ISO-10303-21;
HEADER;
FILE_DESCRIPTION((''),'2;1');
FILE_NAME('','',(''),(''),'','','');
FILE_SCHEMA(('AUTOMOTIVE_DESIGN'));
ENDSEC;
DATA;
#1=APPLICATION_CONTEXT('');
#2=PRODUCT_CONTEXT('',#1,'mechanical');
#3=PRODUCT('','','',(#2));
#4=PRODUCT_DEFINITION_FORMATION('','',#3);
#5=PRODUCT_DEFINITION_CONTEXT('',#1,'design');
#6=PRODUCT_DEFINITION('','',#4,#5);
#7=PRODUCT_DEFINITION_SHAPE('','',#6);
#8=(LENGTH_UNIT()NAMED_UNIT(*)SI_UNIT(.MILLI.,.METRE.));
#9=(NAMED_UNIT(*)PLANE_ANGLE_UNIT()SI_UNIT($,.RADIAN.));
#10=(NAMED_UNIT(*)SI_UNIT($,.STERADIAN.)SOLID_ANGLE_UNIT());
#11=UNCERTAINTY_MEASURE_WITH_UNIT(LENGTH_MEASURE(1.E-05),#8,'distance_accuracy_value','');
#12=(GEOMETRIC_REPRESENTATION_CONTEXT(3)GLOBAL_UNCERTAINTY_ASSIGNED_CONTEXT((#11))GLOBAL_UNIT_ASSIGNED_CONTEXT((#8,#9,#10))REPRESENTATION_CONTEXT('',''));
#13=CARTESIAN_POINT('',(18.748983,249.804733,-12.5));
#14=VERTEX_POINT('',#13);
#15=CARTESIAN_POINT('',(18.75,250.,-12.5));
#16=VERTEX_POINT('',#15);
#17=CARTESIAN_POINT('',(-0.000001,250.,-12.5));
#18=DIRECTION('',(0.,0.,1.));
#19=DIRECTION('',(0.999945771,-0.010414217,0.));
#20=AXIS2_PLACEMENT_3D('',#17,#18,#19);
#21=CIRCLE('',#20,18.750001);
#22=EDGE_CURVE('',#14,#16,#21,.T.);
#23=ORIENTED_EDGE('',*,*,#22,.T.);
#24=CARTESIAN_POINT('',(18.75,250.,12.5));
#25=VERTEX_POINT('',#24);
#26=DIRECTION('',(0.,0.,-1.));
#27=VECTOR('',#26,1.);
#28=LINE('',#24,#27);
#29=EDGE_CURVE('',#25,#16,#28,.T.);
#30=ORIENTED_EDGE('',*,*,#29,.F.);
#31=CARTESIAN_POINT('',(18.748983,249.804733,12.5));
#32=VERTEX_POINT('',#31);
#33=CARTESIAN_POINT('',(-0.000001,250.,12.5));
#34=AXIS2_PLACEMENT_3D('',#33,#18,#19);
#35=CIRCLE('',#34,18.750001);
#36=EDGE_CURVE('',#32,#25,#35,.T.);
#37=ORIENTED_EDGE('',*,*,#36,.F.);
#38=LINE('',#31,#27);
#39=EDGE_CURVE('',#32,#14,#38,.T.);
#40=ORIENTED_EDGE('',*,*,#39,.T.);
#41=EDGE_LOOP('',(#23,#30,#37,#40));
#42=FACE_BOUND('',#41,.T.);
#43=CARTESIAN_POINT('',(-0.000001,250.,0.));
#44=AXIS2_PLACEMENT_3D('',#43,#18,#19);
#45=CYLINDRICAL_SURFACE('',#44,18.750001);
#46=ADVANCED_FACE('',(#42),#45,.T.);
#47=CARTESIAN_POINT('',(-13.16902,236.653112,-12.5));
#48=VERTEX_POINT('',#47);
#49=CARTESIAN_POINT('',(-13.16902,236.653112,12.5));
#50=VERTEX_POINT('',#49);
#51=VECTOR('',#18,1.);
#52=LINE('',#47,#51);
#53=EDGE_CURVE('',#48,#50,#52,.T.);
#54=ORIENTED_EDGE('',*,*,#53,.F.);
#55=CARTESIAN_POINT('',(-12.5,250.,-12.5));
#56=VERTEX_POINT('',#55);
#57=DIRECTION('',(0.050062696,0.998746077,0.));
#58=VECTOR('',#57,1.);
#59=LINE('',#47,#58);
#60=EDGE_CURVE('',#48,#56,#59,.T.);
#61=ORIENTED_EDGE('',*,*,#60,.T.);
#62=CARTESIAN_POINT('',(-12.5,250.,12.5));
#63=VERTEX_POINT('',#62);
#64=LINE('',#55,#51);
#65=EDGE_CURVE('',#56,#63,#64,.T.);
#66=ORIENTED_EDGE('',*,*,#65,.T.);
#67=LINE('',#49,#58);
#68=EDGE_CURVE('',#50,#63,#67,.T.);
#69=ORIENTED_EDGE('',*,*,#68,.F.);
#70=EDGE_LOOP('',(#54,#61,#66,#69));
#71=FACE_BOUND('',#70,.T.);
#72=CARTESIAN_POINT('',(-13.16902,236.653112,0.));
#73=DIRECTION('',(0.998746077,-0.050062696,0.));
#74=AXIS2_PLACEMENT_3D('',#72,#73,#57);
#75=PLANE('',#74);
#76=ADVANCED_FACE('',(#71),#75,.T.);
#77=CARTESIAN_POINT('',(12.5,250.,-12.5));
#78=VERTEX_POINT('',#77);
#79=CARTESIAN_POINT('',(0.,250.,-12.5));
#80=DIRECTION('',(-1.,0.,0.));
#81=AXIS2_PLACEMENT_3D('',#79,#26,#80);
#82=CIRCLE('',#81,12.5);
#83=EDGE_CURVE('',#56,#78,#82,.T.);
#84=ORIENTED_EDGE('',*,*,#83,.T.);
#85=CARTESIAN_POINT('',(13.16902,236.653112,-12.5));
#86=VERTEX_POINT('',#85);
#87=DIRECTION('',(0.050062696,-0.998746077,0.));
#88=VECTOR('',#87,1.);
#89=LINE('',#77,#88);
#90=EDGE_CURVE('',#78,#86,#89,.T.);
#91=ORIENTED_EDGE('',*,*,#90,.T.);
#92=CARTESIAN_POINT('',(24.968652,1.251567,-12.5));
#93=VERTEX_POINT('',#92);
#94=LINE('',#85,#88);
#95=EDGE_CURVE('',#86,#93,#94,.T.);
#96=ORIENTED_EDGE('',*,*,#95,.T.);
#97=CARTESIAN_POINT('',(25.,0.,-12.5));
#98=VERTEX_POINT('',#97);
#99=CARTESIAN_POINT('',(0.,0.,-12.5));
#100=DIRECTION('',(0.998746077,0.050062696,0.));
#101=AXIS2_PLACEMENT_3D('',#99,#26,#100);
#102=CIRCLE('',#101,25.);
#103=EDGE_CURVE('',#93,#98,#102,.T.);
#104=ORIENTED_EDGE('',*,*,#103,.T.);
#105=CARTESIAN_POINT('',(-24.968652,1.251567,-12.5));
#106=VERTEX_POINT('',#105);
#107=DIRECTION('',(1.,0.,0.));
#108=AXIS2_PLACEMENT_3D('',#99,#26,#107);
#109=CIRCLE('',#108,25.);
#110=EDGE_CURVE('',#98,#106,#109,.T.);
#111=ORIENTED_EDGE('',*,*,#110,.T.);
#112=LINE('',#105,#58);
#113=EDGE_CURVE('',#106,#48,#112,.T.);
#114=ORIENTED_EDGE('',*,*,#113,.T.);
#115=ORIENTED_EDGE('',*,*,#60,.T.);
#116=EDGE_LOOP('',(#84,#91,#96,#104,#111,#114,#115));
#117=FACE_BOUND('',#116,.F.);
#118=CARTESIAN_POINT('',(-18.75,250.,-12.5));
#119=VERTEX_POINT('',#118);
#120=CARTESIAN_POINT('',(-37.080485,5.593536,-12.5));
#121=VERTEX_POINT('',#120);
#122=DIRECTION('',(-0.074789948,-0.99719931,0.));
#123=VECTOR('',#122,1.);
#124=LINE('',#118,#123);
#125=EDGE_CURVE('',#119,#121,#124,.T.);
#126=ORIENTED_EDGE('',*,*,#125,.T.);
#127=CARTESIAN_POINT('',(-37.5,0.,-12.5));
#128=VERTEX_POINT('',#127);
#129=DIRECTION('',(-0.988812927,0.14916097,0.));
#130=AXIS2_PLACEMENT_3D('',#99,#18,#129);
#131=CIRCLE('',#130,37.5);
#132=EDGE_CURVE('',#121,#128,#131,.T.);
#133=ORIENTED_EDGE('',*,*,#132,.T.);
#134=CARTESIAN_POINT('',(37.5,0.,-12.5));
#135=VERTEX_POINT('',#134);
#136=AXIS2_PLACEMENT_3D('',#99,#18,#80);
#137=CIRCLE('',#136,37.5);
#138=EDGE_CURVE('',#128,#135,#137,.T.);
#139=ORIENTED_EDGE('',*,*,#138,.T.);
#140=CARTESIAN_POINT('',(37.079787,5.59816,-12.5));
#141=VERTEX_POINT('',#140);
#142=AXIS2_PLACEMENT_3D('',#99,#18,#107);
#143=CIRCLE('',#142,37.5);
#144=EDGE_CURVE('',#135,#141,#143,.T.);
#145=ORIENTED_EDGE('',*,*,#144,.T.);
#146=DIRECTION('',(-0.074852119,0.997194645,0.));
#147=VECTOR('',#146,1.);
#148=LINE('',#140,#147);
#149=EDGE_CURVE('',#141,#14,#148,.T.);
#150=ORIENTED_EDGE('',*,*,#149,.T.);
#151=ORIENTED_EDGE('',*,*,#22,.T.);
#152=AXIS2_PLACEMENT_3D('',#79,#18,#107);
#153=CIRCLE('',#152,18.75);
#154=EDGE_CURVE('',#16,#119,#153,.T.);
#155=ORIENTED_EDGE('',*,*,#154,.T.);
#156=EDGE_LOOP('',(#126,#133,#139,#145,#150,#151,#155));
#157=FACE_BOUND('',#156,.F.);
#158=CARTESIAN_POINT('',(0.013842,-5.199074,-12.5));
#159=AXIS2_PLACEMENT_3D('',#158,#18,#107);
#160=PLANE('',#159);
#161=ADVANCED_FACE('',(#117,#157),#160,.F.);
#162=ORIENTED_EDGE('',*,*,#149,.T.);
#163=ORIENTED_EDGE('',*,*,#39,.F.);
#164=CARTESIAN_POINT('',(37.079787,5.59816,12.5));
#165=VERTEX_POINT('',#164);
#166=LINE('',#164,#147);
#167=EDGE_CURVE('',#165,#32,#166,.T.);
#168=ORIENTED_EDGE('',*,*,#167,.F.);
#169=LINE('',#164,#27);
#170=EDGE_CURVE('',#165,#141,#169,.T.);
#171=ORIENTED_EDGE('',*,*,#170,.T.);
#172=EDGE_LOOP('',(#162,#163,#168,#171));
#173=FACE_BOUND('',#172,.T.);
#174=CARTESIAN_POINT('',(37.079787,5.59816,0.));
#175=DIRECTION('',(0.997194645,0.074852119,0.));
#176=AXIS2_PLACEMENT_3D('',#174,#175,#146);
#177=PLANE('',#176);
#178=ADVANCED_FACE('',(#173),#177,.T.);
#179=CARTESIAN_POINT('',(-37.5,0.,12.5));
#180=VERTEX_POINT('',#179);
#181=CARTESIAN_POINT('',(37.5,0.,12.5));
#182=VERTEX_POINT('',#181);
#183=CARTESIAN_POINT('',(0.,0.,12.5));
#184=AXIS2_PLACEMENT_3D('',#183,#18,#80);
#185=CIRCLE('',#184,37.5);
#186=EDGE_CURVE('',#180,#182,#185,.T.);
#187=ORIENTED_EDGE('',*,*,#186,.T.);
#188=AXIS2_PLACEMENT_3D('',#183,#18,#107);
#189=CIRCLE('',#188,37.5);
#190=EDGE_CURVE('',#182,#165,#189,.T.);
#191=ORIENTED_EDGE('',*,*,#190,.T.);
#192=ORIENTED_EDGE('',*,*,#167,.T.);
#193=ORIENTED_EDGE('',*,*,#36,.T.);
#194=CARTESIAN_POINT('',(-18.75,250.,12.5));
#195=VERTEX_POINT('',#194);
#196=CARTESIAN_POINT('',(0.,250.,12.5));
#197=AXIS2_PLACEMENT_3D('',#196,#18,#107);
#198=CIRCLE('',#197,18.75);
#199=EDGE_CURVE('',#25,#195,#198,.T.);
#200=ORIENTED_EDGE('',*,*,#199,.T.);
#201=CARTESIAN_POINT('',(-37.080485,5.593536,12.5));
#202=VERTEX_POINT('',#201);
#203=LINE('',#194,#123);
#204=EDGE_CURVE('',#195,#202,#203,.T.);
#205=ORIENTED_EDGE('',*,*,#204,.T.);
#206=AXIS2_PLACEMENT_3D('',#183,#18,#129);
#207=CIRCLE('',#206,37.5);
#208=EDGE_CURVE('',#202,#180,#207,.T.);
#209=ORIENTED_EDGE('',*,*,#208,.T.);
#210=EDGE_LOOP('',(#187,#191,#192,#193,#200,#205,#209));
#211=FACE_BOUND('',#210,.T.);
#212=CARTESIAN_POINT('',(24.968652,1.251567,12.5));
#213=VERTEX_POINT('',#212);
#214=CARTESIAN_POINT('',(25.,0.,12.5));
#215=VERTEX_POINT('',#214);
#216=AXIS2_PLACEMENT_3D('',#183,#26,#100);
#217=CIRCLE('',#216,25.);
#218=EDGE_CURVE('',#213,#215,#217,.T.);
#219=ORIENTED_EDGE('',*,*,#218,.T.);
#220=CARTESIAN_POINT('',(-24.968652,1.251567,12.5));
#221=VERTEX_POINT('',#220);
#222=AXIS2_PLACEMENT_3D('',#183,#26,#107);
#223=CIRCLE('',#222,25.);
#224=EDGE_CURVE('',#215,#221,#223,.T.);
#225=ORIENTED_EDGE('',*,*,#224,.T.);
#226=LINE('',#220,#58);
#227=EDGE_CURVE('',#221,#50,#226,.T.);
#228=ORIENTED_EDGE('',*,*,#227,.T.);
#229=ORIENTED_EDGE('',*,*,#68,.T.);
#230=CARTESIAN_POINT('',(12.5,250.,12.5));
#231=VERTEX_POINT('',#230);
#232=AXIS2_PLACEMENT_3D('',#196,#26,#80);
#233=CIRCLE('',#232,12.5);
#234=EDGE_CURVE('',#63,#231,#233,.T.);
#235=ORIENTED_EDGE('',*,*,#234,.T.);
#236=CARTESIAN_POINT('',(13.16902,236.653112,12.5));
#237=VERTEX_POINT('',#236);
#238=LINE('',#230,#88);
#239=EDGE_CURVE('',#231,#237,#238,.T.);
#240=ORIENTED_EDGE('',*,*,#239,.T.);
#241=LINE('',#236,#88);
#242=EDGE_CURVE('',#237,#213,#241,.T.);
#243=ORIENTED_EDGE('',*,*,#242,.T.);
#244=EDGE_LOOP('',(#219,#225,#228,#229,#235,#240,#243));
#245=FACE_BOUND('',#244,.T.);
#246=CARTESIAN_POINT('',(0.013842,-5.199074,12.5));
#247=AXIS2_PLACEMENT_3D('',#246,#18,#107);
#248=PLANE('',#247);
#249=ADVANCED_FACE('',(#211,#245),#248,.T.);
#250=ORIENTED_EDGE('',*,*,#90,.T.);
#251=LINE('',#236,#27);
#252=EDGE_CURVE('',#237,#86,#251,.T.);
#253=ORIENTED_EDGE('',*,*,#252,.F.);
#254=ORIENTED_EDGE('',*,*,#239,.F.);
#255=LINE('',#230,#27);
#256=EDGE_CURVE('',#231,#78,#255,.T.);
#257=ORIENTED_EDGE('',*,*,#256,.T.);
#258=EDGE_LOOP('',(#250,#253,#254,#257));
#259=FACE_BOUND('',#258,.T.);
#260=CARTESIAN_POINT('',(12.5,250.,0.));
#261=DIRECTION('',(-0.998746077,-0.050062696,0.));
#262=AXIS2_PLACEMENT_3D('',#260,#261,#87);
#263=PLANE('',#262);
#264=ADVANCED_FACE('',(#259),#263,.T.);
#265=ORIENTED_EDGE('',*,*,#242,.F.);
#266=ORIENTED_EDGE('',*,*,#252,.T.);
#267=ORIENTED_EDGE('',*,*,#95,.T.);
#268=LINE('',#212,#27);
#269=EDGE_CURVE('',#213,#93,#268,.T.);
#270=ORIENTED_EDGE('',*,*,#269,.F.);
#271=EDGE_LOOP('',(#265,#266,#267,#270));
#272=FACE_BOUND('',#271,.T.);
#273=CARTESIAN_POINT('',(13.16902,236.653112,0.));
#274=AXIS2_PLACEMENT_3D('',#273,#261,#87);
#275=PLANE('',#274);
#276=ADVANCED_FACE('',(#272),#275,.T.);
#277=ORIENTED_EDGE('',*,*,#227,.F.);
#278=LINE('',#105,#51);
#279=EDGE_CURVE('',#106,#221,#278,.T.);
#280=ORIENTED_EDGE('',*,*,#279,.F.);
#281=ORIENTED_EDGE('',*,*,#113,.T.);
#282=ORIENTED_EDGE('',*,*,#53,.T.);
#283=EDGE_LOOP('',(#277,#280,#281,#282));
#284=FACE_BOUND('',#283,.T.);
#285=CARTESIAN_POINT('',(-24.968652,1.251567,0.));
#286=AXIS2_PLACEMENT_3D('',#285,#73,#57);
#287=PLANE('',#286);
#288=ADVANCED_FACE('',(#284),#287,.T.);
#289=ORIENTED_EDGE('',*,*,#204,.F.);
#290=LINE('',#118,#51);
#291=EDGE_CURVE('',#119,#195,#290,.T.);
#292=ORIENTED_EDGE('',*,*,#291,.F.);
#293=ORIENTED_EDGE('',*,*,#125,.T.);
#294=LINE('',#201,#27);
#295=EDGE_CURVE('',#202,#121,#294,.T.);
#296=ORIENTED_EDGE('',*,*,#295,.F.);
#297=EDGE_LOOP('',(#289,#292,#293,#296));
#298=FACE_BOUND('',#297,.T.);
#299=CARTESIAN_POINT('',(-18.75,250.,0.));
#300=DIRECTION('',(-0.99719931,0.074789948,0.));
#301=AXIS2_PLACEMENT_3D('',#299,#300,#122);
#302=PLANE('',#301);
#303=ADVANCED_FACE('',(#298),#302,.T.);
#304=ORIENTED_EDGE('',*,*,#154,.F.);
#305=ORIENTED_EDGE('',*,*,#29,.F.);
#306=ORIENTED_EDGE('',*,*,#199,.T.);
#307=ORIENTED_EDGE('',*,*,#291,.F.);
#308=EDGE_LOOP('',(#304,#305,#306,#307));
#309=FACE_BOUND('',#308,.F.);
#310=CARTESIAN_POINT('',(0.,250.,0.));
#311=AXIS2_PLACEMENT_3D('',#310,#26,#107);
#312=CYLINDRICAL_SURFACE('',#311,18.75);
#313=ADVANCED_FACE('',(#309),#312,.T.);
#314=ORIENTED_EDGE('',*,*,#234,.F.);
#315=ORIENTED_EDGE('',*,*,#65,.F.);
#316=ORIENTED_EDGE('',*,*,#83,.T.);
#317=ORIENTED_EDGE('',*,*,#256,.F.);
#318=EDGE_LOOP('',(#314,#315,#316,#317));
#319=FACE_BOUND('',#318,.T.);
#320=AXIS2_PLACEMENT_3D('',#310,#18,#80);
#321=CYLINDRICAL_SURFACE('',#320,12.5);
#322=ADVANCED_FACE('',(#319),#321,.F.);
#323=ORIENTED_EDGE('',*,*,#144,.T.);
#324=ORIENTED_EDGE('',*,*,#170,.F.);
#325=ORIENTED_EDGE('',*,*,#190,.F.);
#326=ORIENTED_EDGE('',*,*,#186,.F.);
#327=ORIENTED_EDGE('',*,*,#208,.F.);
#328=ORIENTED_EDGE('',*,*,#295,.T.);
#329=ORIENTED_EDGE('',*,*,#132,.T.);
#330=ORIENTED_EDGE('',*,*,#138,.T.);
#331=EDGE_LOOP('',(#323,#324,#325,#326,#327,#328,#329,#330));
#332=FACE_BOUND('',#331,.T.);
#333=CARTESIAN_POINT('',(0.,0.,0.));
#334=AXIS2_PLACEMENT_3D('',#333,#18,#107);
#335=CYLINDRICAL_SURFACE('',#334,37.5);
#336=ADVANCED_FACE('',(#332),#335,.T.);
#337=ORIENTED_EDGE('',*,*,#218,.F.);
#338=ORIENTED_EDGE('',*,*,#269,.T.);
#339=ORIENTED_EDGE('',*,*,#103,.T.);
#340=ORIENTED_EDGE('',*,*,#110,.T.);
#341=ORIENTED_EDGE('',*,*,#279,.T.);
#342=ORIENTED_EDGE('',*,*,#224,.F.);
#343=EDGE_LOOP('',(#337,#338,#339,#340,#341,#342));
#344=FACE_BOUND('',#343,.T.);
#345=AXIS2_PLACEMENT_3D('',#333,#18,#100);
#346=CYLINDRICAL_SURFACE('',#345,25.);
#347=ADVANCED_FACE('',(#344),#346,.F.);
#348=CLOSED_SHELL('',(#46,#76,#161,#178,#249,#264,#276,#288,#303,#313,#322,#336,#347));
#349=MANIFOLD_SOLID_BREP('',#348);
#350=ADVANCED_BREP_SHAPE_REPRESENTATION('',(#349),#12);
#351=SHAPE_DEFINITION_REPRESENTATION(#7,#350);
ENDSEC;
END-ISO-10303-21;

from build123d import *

# Parameters (mm, degrees)
F1_DEPTH = 12.5


with BuildPart() as f1:
    # F0 (on Top) → F1 (new body, symmetric)
    with BuildSketch(Plane.XY):
        with BuildLine():
            Line((23.5693570301, 29.1673689109), (24.9686519266, 1.2515674037))
            ThreePointArc((24.9686519266, 1.2515674037), (24.9921617529, 0.6259799653), (25, 0))
            ThreePointArc((25, 0), (-0.6259799653, -24.9921617529), (-24.9686519266, 1.2515674037))
            Line((-24.9686519266, 1.2515674037), (-23.5693570301, 29.1673689109))
            ThreePointArc((-23.5693570301, 29.1673689109), (-32.5350921775, 18.6471922015), (-37.0804847732, 5.593536358))
            Line((-37.0804847732, 5.593536358), (-37.5, 0))
            ThreePointArc((-37.5, 0), (0, -37.5), (37.5, 0))
            Line((37.5, 0), (37.079787025, 5.5981598921))
            ThreePointArc((37.079787025, 5.5981598921), (32.5339295521, 18.6492205709), (23.5693570301, 29.1673689109))
        make_face()
        with BuildLine():
            Line((13.1690200809, 236.6531123437), (23.5693570301, 29.1673689109))
            ThreePointArc((23.5693570301, 29.1673689109), (32.5339295521, 18.6492205709), (37.079787025, 5.5981598921))
            Line((37.079787025, 5.5981598921), (18.7489831982, 249.8047334338))
            ThreePointArc((18.7489831982, 249.8047334338), (17.260678366, 242.6766481483), (13.1690200809, 236.6531123437))
        make_face()
        with BuildLine():
            ThreePointArc((-37.0804847732, 5.593536358), (-32.5350921775, 18.6471922015), (-23.5693570301, 29.1673689109))
            Line((-23.5693570301, 29.1673689109), (-13.1690200809, 236.6531123437))
            ThreePointArc((-13.1690200809, 236.6531123437), (-17.2985783595, 242.7666268766), (-18.75, 250))
            Line((-18.75, 250), (-37.0804847732, 5.593536358))
        make_face()
        with BuildLine():
            Line((12.5, 250), (13.1690200809, 236.6531123437))
            ThreePointArc((13.1690200809, 236.6531123437), (17.260678366, 242.6766481483), (18.7489831982, 249.8047334338))
            ThreePointArc((18.7489831982, 249.8047334338), (18.7497457978, 249.9023653932), (18.75, 250))
            ThreePointArc((18.75, 250), (0, 268.75), (-18.75, 250))
            ThreePointArc((-18.75, 250), (-17.2985783595, 242.7666268766), (-13.1690200809, 236.6531123437))
            Line((-13.1690200809, 236.6531123437), (-12.5, 250))
            ThreePointArc((-12.5, 250), (0, 262.5), (12.5, 250))
        make_face()
        with BuildLine():
            ThreePointArc((37.5, 0), (37.3947991935, 2.8069544493), (37.079787025, 5.5981598921))
            Line((37.079787025, 5.5981598921), (37.5, 0))
        make_face()
        with BuildLine():
            Line((-37.5, 0), (-37.0804847732, 5.593536358))
            ThreePointArc((-37.0804847732, 5.593536358), (-37.3949741208, 2.8046230591), (-37.5, 0))
        make_face()
    extrude(amount=F1_DEPTH, both=True)


solid = f1.part
